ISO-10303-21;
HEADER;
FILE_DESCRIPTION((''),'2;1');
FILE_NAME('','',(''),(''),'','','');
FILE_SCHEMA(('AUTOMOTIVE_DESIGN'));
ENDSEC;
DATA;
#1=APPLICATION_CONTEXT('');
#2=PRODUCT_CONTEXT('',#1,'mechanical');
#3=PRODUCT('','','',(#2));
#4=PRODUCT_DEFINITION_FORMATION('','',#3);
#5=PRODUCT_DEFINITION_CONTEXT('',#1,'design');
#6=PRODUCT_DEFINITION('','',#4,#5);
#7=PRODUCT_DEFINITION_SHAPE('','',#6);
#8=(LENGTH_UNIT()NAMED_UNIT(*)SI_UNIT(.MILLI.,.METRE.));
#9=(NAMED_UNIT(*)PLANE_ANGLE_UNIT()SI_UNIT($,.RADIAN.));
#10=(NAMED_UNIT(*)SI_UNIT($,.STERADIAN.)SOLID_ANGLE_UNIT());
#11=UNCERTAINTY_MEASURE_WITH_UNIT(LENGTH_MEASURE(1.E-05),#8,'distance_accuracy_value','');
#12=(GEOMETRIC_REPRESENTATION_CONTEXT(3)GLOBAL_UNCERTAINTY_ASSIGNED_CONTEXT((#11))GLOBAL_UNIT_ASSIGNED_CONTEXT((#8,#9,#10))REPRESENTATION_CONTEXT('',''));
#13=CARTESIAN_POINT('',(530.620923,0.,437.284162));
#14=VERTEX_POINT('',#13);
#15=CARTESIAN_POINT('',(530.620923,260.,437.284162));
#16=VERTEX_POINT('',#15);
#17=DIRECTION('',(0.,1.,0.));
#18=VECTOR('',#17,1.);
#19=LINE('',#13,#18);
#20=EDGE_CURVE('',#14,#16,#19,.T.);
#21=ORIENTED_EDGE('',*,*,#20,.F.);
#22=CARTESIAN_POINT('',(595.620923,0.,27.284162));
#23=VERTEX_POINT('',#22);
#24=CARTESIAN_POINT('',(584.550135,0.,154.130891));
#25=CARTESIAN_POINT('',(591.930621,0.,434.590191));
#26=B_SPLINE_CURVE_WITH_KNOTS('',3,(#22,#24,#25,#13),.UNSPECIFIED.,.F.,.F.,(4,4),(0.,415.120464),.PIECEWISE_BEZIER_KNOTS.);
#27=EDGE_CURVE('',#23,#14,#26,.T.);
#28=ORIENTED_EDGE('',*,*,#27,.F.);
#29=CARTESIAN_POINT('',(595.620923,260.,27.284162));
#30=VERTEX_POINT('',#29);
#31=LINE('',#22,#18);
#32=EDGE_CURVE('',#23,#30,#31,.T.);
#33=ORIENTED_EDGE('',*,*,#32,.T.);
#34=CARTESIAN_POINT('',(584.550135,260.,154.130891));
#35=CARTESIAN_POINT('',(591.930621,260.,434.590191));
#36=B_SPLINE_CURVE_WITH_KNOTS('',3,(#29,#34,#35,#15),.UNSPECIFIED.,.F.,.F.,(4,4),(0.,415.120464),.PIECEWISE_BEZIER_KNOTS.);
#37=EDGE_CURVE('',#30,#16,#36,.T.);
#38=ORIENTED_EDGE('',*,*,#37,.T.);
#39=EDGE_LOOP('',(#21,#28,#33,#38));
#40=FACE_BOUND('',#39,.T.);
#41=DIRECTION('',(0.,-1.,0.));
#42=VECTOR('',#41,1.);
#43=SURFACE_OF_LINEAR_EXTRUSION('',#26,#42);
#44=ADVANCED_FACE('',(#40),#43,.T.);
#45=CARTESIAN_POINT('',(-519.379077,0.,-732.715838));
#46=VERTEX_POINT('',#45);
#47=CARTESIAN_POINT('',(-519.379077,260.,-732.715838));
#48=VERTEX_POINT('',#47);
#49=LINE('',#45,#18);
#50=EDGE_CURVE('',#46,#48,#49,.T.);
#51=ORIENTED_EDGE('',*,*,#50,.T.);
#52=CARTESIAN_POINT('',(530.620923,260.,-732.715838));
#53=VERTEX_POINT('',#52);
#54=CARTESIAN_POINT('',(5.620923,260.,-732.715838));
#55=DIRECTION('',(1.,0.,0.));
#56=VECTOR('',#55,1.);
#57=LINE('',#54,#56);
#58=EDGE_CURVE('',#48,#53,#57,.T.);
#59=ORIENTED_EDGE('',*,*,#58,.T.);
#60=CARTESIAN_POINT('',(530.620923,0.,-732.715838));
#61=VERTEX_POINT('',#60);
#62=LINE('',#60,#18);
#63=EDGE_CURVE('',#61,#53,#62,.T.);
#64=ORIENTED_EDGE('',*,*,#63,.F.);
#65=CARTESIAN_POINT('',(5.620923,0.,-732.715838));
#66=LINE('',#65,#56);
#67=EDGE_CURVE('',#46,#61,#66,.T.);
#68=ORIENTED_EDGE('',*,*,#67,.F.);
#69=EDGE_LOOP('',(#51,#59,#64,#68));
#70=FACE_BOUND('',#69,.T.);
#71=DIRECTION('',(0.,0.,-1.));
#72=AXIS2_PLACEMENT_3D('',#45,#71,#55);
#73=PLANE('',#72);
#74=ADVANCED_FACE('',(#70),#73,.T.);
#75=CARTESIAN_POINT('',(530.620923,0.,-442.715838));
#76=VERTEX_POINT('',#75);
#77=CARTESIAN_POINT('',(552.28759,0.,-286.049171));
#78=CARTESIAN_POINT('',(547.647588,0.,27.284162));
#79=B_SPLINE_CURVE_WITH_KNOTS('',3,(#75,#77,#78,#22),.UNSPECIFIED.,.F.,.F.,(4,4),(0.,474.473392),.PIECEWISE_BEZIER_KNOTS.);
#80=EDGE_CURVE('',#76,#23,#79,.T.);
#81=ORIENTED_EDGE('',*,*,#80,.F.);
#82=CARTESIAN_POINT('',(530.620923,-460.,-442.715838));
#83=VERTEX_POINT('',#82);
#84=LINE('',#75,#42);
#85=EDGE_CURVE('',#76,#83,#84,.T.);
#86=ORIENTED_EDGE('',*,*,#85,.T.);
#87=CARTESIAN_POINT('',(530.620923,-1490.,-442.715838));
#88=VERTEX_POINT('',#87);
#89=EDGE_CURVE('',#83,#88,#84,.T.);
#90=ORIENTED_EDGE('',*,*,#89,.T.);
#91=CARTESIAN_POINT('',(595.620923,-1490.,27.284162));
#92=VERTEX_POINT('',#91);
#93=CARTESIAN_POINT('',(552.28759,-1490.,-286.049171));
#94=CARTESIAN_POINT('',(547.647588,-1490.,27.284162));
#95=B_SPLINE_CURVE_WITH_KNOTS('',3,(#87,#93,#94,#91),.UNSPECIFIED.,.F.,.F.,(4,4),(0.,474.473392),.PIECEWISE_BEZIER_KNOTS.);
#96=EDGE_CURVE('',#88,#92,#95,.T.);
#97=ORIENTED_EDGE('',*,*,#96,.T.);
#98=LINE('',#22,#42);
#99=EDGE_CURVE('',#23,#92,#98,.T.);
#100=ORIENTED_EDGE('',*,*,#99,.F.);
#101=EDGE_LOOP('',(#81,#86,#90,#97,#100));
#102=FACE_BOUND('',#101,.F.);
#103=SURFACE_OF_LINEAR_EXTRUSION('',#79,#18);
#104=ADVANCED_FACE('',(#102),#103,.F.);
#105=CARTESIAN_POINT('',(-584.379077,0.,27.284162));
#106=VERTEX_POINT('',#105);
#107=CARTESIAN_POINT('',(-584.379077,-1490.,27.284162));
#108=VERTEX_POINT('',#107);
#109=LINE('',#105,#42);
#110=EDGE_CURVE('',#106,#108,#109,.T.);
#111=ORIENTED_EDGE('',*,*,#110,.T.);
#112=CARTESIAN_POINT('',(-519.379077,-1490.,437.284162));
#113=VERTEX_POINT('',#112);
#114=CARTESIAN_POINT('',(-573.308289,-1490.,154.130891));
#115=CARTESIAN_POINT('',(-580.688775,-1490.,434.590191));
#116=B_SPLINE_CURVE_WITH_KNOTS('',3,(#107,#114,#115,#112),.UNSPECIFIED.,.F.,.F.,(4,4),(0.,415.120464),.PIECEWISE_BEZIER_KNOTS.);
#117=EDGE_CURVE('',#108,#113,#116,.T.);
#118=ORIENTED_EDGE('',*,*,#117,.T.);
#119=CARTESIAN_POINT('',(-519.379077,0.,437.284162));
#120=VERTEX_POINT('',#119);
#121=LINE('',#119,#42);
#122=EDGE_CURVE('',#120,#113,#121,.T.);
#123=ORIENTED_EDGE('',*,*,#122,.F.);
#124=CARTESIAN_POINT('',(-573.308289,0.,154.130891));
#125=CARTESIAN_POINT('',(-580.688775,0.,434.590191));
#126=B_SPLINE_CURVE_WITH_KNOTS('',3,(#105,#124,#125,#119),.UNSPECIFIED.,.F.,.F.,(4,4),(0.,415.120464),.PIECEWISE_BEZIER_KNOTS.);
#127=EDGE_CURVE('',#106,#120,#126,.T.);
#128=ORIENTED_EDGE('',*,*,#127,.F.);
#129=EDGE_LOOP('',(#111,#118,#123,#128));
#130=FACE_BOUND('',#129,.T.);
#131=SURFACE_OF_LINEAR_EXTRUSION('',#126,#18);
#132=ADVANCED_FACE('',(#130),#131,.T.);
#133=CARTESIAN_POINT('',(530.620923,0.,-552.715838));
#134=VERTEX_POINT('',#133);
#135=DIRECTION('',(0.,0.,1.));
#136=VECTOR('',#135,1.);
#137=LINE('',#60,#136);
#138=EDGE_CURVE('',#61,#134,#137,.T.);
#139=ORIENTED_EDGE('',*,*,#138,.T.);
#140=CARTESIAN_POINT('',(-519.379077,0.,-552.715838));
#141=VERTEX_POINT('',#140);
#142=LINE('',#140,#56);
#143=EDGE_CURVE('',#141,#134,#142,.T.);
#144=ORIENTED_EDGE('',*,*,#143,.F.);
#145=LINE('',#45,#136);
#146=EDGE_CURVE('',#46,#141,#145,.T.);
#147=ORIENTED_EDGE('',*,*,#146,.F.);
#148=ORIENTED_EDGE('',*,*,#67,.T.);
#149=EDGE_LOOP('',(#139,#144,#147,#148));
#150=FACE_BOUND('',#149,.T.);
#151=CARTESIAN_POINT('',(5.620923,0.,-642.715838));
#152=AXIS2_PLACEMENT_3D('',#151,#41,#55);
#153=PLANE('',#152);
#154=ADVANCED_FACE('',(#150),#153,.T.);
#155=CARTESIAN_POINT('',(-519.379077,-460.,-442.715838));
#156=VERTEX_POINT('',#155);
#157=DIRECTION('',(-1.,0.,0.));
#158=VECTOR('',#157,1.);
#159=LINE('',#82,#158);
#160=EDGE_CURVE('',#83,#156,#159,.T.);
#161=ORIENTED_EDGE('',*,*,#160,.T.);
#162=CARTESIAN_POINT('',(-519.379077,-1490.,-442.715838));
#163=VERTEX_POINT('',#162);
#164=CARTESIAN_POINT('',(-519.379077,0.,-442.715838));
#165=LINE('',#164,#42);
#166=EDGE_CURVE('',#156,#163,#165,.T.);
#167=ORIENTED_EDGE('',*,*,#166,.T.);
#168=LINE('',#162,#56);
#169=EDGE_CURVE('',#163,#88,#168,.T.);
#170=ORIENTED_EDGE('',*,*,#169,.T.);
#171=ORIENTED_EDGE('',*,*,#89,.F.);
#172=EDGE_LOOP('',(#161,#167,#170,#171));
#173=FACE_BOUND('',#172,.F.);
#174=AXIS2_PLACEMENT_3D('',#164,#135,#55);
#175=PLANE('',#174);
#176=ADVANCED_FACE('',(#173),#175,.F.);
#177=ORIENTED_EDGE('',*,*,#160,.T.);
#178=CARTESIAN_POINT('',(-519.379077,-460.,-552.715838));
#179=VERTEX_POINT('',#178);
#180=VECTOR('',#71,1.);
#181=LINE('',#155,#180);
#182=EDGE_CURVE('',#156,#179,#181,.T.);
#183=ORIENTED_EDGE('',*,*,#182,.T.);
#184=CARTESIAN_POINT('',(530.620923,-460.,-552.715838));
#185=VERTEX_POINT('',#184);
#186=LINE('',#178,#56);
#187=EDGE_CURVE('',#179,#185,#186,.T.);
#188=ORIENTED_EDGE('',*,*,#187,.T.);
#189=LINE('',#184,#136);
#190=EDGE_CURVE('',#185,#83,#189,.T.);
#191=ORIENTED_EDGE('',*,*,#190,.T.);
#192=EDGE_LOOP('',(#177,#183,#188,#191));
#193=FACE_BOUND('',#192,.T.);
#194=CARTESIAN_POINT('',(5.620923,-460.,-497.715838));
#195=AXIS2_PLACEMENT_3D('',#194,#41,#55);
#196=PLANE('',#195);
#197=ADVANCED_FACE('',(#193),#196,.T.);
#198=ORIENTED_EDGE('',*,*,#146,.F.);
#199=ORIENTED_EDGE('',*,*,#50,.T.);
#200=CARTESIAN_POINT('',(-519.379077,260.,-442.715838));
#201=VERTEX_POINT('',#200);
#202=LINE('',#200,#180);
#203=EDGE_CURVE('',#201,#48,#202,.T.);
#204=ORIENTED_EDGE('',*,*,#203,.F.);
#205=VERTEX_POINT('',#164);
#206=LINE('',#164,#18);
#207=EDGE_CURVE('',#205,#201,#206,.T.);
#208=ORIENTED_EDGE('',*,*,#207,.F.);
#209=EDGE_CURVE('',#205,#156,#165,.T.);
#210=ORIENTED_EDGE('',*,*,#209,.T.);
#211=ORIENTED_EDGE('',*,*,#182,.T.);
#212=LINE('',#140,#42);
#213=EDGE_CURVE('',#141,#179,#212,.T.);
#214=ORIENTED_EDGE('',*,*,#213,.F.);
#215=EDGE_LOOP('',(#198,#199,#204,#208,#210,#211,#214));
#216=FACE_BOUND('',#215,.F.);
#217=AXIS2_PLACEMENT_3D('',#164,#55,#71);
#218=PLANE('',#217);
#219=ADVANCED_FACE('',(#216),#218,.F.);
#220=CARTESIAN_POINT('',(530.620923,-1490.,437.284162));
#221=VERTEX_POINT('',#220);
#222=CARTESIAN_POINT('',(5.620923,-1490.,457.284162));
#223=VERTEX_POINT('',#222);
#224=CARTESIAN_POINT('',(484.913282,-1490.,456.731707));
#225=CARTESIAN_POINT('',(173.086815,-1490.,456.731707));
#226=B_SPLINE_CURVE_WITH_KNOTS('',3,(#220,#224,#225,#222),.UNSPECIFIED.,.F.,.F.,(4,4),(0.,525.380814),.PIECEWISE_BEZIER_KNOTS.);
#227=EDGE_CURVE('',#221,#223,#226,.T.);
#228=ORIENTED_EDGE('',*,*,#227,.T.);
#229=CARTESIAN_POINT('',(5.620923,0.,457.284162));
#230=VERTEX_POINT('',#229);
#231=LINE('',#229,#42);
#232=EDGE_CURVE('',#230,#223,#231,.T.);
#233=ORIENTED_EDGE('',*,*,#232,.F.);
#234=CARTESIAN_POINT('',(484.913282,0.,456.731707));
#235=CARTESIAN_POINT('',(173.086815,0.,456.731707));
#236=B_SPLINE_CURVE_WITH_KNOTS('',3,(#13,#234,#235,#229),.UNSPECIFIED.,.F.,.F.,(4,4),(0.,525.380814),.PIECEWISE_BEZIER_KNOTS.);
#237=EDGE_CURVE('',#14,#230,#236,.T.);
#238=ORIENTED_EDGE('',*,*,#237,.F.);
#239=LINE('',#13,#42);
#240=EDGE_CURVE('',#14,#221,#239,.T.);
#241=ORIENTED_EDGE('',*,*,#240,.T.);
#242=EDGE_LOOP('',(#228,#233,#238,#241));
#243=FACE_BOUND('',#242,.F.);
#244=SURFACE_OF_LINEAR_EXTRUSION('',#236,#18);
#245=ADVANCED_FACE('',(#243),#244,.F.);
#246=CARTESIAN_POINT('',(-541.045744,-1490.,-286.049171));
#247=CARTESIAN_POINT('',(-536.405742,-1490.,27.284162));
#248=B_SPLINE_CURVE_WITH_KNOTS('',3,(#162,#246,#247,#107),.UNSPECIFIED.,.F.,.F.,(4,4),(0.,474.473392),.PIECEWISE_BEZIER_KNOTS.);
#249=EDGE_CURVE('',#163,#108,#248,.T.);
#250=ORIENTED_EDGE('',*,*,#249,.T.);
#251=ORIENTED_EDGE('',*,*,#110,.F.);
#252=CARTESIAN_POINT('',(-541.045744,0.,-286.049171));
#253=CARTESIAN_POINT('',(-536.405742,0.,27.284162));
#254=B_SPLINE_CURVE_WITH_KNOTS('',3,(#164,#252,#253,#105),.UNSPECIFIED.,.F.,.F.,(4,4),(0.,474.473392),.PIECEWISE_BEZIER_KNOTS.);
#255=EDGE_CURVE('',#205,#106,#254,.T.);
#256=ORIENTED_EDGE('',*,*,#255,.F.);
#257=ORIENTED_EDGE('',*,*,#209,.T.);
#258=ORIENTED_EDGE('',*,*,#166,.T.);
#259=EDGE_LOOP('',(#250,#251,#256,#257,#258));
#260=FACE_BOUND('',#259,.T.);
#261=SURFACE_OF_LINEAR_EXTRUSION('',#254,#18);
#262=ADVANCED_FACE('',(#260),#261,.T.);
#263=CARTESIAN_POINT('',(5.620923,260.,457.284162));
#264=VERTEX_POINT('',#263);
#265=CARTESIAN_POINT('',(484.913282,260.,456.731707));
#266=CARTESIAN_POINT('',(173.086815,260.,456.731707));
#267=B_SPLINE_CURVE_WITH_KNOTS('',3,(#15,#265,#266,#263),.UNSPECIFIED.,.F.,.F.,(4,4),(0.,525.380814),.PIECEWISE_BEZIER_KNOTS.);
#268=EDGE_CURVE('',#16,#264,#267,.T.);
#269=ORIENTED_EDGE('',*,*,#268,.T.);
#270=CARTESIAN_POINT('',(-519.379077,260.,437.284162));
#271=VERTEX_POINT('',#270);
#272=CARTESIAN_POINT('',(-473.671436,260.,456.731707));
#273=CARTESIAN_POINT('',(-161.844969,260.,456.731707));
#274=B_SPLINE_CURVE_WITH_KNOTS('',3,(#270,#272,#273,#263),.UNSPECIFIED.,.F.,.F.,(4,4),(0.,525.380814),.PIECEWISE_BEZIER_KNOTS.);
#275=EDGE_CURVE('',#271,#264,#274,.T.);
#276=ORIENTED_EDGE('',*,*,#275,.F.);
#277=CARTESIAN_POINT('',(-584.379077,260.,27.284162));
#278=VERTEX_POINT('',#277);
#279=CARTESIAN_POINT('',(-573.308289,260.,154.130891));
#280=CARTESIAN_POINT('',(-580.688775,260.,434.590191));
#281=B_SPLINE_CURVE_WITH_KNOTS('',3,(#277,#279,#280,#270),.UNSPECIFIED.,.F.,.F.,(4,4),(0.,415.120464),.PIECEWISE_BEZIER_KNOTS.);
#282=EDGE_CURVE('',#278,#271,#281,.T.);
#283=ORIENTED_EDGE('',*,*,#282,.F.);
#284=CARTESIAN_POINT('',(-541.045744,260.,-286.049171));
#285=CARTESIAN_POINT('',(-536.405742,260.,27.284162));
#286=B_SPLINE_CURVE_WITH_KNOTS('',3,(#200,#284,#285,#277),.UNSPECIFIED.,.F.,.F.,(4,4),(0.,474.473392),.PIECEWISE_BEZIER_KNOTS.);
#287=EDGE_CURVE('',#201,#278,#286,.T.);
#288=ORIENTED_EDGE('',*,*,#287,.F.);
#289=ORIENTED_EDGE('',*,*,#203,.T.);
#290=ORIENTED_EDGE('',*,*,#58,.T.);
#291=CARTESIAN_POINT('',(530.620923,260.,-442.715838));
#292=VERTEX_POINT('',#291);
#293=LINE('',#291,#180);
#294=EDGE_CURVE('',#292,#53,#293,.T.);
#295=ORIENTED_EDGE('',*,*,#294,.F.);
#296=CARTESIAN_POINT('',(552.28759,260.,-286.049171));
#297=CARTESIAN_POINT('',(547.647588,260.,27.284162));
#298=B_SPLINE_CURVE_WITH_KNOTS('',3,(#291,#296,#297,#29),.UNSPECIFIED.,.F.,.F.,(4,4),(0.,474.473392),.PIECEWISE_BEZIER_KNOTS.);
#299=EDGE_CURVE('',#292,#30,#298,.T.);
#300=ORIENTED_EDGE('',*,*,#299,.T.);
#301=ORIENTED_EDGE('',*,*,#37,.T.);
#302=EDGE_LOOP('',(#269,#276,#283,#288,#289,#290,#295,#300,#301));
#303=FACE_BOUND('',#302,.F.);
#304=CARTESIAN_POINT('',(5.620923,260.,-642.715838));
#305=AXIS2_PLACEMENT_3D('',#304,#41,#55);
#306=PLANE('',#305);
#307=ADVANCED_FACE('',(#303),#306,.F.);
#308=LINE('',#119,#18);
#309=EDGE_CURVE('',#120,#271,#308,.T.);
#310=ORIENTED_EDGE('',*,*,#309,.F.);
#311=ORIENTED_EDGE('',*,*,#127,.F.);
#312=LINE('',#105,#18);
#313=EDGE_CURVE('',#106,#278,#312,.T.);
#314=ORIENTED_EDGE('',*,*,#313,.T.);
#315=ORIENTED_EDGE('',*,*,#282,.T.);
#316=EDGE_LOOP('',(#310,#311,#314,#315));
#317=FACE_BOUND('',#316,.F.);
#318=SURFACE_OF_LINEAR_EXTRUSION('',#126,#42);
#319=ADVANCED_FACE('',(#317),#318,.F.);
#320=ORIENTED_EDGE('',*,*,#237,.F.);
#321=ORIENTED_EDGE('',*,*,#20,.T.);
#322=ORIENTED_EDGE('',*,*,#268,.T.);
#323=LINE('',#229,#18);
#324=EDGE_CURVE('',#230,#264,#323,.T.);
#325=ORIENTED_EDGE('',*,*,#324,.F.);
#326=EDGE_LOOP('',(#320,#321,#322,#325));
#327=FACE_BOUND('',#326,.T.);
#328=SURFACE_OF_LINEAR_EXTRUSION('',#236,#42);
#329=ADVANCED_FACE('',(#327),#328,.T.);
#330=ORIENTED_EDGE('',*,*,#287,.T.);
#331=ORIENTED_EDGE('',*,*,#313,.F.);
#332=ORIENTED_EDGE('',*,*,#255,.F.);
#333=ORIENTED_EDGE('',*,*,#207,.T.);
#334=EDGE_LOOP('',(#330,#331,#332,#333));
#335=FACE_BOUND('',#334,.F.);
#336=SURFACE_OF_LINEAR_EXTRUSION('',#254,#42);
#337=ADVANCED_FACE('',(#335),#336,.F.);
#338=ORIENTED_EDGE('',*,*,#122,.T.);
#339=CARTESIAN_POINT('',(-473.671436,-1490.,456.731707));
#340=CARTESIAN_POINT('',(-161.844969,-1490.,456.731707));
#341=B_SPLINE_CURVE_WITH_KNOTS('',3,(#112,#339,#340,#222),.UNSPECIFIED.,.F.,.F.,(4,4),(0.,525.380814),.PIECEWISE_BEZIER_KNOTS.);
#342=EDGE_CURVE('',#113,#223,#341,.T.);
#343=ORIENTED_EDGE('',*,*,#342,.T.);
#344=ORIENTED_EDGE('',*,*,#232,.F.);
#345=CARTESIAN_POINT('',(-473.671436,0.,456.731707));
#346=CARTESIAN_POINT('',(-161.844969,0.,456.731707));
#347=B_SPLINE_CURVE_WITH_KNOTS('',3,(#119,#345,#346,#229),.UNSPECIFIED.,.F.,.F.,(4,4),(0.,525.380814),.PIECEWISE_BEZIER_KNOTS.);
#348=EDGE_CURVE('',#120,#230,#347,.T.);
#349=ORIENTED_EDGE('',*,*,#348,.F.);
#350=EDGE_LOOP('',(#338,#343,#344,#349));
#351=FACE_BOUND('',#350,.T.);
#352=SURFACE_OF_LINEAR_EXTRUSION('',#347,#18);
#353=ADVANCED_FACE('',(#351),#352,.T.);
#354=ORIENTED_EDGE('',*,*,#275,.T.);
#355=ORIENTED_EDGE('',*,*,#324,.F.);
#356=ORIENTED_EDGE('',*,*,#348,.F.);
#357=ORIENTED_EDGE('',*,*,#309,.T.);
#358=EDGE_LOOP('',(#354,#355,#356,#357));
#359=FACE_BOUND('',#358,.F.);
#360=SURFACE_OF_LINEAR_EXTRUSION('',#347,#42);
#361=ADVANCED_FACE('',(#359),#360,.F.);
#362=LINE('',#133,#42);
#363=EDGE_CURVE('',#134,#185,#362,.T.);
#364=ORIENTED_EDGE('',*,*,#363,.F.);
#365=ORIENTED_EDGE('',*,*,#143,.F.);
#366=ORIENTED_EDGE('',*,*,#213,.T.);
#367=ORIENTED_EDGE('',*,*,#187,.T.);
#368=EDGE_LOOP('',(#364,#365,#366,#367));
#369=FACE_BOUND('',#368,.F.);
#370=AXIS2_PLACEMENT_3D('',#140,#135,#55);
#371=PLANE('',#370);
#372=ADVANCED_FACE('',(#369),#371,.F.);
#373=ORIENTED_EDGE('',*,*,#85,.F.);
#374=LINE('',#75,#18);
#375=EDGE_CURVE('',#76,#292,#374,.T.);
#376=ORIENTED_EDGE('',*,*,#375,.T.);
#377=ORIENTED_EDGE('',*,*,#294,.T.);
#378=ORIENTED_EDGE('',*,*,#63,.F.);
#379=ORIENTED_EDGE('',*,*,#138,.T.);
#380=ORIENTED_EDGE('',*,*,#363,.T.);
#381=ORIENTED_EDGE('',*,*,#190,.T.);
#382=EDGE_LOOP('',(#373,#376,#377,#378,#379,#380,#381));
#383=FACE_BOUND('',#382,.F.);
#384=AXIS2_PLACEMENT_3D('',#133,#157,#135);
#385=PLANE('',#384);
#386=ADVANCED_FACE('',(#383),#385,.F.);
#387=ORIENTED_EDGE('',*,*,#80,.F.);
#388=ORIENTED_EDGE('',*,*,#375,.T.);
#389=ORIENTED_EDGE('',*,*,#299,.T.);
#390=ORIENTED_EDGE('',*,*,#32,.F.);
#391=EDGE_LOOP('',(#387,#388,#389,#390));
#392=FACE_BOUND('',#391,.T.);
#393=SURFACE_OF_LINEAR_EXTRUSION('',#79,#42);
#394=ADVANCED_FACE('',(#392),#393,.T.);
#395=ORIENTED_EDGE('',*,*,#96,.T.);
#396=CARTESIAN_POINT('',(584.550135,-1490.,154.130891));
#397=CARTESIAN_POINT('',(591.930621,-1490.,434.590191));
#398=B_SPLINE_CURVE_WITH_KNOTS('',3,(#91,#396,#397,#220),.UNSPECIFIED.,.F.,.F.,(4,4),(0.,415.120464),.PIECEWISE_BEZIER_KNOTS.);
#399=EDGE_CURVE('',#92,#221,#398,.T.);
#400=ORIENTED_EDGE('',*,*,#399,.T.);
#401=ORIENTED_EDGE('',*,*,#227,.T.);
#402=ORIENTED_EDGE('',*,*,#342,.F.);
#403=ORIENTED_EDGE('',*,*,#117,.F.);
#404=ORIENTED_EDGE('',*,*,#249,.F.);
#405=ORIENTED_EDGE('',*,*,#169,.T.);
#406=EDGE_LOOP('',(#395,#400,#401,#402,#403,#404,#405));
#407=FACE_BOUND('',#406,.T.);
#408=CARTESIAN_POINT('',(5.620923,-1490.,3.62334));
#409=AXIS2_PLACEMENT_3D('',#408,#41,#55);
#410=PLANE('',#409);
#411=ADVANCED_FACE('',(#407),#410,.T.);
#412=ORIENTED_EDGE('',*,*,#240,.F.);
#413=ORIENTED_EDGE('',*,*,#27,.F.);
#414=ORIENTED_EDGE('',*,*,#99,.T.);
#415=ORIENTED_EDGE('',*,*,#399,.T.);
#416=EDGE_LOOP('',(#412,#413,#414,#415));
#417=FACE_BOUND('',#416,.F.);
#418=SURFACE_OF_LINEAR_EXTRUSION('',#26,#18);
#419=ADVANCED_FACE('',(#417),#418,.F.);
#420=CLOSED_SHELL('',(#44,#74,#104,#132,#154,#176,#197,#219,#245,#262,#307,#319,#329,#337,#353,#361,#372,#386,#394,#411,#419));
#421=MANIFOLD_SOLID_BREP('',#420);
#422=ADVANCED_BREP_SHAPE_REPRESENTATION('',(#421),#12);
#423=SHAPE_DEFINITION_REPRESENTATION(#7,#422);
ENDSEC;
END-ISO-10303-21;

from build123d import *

# Parameters (mm, degrees)
F1_DEPTH = 260
F2_DEPTH = 260
F0_W     = 1050
F0_H     = 180
F3_DEPTH = 260
F4_DEPTH = 1490
F5_DEPTH = 460


with BuildPart() as f1:
    # F0 (on Front) → F1 (new body)
    with BuildSketch(Plane.XZ):
        with BuildLine():
            Line((-519.379077, -442.715838), (5.620923, -442.715838))
            Line((5.620923, -442.715838), (530.620923, -442.715838))
            add(Edge.make_bspline(
                [(530.620923, -442.715838), (552.28759, -286.049171), (547.647588, 27.284162), (595.620923, 27.284162)],
                knots=[0, 0, 0, 0, 474.473392, 474.473392, 474.473392, 474.473392], degree=3))
            add(Edge.make_bspline(
                [(595.620923, 27.284162), (584.550135, 154.130891), (591.930621, 434.590191), (530.620923, 437.284162)],
                knots=[0, 0, 0, 0, 415.120464, 415.120464, 415.120464, 415.120464], degree=3))
            add(Edge.make_bspline(
                [(530.620923, 437.284162), (484.913282, 456.731707), (173.086815, 456.731707), (5.620923, 457.284162)],
                knots=[0, 0, 0, 0, 525.380814, 525.380814, 525.380814, 525.380814], degree=3))
            add(Edge.make_bspline(
                [(-519.379077, 437.284162), (-473.671436, 456.731707), (-161.844969, 456.731707), (5.620923, 457.284162)],
                knots=[0, 0, 0, 0, 525.380814, 525.380814, 525.380814, 525.380814], degree=3))
            add(Edge.make_bspline(
                [(-584.379077, 27.284162), (-573.308289, 154.130891), (-580.688775, 434.590191), (-519.379077, 437.284162)],
                knots=[0, 0, 0, 0, 415.120464, 415.120464, 415.120464, 415.120464], degree=3))
            add(Edge.make_bspline(
                [(-519.379077, -442.715838), (-541.045744, -286.049171), (-536.405742, 27.284162), (-584.379077, 27.284162)],
                knots=[0, 0, 0, 0, 474.473392, 474.473392, 474.473392, 474.473392], degree=3))
        make_face()
    extrude(amount=-F1_DEPTH)

    # F0 (on Front) → F2 (join)
    with BuildSketch(Plane.XZ):
        Polygon((530.620923, -442.715838), (5.620923, -442.715838), (-519.379077, -442.715838), (-519.379077, -552.715838), (530.620923, -552.715838), align=None)
    extrude(amount=-F2_DEPTH)

    # F0 (on Front) → F3 (join)
    with BuildSketch(Plane.XZ):
        with Locations((5.620923, -642.715838)):
            Rectangle(F0_W, F0_H)
    extrude(amount=-F3_DEPTH)

    # F0 (on Front) → F4 (join)
    with BuildSketch(Plane.XZ):
        with BuildLine():
            Line((-519.379077, -442.715838), (5.620923, -442.715838))
            Line((5.620923, -442.715838), (530.620923, -442.715838))
            add(Edge.make_bspline(
                [(530.620923, -442.715838), (552.28759, -286.049171), (547.647588, 27.284162), (595.620923, 27.284162)],
                knots=[0, 0, 0, 0, 474.473392, 474.473392, 474.473392, 474.473392], degree=3))
            add(Edge.make_bspline(
                [(595.620923, 27.284162), (584.550135, 154.130891), (591.930621, 434.590191), (530.620923, 437.284162)],
                knots=[0, 0, 0, 0, 415.120464, 415.120464, 415.120464, 415.120464], degree=3))
            add(Edge.make_bspline(
                [(530.620923, 437.284162), (484.913282, 456.731707), (173.086815, 456.731707), (5.620923, 457.284162)],
                knots=[0, 0, 0, 0, 525.380814, 525.380814, 525.380814, 525.380814], degree=3))
            add(Edge.make_bspline(
                [(-519.379077, 437.284162), (-473.671436, 456.731707), (-161.844969, 456.731707), (5.620923, 457.284162)],
                knots=[0, 0, 0, 0, 525.380814, 525.380814, 525.380814, 525.380814], degree=3))
            add(Edge.make_bspline(
                [(-584.379077, 27.284162), (-573.308289, 154.130891), (-580.688775, 434.590191), (-519.379077, 437.284162)],
                knots=[0, 0, 0, 0, 415.120464, 415.120464, 415.120464, 415.120464], degree=3))
            add(Edge.make_bspline(
                [(-519.379077, -442.715838), (-541.045744, -286.049171), (-536.405742, 27.284162), (-584.379077, 27.284162)],
                knots=[0, 0, 0, 0, 474.473392, 474.473392, 474.473392, 474.473392], degree=3))
        make_face()
    extrude(amount=F4_DEPTH)

    # F0 (on Front) → F5 (join)
    with BuildSketch(Plane.XZ):
        Polygon((530.620923, -442.715838), (5.620923, -442.715838), (-519.379077, -442.715838), (-519.379077, -552.715838), (530.620923, -552.715838), align=None)
    extrude(amount=F5_DEPTH)


solid = f1.part
